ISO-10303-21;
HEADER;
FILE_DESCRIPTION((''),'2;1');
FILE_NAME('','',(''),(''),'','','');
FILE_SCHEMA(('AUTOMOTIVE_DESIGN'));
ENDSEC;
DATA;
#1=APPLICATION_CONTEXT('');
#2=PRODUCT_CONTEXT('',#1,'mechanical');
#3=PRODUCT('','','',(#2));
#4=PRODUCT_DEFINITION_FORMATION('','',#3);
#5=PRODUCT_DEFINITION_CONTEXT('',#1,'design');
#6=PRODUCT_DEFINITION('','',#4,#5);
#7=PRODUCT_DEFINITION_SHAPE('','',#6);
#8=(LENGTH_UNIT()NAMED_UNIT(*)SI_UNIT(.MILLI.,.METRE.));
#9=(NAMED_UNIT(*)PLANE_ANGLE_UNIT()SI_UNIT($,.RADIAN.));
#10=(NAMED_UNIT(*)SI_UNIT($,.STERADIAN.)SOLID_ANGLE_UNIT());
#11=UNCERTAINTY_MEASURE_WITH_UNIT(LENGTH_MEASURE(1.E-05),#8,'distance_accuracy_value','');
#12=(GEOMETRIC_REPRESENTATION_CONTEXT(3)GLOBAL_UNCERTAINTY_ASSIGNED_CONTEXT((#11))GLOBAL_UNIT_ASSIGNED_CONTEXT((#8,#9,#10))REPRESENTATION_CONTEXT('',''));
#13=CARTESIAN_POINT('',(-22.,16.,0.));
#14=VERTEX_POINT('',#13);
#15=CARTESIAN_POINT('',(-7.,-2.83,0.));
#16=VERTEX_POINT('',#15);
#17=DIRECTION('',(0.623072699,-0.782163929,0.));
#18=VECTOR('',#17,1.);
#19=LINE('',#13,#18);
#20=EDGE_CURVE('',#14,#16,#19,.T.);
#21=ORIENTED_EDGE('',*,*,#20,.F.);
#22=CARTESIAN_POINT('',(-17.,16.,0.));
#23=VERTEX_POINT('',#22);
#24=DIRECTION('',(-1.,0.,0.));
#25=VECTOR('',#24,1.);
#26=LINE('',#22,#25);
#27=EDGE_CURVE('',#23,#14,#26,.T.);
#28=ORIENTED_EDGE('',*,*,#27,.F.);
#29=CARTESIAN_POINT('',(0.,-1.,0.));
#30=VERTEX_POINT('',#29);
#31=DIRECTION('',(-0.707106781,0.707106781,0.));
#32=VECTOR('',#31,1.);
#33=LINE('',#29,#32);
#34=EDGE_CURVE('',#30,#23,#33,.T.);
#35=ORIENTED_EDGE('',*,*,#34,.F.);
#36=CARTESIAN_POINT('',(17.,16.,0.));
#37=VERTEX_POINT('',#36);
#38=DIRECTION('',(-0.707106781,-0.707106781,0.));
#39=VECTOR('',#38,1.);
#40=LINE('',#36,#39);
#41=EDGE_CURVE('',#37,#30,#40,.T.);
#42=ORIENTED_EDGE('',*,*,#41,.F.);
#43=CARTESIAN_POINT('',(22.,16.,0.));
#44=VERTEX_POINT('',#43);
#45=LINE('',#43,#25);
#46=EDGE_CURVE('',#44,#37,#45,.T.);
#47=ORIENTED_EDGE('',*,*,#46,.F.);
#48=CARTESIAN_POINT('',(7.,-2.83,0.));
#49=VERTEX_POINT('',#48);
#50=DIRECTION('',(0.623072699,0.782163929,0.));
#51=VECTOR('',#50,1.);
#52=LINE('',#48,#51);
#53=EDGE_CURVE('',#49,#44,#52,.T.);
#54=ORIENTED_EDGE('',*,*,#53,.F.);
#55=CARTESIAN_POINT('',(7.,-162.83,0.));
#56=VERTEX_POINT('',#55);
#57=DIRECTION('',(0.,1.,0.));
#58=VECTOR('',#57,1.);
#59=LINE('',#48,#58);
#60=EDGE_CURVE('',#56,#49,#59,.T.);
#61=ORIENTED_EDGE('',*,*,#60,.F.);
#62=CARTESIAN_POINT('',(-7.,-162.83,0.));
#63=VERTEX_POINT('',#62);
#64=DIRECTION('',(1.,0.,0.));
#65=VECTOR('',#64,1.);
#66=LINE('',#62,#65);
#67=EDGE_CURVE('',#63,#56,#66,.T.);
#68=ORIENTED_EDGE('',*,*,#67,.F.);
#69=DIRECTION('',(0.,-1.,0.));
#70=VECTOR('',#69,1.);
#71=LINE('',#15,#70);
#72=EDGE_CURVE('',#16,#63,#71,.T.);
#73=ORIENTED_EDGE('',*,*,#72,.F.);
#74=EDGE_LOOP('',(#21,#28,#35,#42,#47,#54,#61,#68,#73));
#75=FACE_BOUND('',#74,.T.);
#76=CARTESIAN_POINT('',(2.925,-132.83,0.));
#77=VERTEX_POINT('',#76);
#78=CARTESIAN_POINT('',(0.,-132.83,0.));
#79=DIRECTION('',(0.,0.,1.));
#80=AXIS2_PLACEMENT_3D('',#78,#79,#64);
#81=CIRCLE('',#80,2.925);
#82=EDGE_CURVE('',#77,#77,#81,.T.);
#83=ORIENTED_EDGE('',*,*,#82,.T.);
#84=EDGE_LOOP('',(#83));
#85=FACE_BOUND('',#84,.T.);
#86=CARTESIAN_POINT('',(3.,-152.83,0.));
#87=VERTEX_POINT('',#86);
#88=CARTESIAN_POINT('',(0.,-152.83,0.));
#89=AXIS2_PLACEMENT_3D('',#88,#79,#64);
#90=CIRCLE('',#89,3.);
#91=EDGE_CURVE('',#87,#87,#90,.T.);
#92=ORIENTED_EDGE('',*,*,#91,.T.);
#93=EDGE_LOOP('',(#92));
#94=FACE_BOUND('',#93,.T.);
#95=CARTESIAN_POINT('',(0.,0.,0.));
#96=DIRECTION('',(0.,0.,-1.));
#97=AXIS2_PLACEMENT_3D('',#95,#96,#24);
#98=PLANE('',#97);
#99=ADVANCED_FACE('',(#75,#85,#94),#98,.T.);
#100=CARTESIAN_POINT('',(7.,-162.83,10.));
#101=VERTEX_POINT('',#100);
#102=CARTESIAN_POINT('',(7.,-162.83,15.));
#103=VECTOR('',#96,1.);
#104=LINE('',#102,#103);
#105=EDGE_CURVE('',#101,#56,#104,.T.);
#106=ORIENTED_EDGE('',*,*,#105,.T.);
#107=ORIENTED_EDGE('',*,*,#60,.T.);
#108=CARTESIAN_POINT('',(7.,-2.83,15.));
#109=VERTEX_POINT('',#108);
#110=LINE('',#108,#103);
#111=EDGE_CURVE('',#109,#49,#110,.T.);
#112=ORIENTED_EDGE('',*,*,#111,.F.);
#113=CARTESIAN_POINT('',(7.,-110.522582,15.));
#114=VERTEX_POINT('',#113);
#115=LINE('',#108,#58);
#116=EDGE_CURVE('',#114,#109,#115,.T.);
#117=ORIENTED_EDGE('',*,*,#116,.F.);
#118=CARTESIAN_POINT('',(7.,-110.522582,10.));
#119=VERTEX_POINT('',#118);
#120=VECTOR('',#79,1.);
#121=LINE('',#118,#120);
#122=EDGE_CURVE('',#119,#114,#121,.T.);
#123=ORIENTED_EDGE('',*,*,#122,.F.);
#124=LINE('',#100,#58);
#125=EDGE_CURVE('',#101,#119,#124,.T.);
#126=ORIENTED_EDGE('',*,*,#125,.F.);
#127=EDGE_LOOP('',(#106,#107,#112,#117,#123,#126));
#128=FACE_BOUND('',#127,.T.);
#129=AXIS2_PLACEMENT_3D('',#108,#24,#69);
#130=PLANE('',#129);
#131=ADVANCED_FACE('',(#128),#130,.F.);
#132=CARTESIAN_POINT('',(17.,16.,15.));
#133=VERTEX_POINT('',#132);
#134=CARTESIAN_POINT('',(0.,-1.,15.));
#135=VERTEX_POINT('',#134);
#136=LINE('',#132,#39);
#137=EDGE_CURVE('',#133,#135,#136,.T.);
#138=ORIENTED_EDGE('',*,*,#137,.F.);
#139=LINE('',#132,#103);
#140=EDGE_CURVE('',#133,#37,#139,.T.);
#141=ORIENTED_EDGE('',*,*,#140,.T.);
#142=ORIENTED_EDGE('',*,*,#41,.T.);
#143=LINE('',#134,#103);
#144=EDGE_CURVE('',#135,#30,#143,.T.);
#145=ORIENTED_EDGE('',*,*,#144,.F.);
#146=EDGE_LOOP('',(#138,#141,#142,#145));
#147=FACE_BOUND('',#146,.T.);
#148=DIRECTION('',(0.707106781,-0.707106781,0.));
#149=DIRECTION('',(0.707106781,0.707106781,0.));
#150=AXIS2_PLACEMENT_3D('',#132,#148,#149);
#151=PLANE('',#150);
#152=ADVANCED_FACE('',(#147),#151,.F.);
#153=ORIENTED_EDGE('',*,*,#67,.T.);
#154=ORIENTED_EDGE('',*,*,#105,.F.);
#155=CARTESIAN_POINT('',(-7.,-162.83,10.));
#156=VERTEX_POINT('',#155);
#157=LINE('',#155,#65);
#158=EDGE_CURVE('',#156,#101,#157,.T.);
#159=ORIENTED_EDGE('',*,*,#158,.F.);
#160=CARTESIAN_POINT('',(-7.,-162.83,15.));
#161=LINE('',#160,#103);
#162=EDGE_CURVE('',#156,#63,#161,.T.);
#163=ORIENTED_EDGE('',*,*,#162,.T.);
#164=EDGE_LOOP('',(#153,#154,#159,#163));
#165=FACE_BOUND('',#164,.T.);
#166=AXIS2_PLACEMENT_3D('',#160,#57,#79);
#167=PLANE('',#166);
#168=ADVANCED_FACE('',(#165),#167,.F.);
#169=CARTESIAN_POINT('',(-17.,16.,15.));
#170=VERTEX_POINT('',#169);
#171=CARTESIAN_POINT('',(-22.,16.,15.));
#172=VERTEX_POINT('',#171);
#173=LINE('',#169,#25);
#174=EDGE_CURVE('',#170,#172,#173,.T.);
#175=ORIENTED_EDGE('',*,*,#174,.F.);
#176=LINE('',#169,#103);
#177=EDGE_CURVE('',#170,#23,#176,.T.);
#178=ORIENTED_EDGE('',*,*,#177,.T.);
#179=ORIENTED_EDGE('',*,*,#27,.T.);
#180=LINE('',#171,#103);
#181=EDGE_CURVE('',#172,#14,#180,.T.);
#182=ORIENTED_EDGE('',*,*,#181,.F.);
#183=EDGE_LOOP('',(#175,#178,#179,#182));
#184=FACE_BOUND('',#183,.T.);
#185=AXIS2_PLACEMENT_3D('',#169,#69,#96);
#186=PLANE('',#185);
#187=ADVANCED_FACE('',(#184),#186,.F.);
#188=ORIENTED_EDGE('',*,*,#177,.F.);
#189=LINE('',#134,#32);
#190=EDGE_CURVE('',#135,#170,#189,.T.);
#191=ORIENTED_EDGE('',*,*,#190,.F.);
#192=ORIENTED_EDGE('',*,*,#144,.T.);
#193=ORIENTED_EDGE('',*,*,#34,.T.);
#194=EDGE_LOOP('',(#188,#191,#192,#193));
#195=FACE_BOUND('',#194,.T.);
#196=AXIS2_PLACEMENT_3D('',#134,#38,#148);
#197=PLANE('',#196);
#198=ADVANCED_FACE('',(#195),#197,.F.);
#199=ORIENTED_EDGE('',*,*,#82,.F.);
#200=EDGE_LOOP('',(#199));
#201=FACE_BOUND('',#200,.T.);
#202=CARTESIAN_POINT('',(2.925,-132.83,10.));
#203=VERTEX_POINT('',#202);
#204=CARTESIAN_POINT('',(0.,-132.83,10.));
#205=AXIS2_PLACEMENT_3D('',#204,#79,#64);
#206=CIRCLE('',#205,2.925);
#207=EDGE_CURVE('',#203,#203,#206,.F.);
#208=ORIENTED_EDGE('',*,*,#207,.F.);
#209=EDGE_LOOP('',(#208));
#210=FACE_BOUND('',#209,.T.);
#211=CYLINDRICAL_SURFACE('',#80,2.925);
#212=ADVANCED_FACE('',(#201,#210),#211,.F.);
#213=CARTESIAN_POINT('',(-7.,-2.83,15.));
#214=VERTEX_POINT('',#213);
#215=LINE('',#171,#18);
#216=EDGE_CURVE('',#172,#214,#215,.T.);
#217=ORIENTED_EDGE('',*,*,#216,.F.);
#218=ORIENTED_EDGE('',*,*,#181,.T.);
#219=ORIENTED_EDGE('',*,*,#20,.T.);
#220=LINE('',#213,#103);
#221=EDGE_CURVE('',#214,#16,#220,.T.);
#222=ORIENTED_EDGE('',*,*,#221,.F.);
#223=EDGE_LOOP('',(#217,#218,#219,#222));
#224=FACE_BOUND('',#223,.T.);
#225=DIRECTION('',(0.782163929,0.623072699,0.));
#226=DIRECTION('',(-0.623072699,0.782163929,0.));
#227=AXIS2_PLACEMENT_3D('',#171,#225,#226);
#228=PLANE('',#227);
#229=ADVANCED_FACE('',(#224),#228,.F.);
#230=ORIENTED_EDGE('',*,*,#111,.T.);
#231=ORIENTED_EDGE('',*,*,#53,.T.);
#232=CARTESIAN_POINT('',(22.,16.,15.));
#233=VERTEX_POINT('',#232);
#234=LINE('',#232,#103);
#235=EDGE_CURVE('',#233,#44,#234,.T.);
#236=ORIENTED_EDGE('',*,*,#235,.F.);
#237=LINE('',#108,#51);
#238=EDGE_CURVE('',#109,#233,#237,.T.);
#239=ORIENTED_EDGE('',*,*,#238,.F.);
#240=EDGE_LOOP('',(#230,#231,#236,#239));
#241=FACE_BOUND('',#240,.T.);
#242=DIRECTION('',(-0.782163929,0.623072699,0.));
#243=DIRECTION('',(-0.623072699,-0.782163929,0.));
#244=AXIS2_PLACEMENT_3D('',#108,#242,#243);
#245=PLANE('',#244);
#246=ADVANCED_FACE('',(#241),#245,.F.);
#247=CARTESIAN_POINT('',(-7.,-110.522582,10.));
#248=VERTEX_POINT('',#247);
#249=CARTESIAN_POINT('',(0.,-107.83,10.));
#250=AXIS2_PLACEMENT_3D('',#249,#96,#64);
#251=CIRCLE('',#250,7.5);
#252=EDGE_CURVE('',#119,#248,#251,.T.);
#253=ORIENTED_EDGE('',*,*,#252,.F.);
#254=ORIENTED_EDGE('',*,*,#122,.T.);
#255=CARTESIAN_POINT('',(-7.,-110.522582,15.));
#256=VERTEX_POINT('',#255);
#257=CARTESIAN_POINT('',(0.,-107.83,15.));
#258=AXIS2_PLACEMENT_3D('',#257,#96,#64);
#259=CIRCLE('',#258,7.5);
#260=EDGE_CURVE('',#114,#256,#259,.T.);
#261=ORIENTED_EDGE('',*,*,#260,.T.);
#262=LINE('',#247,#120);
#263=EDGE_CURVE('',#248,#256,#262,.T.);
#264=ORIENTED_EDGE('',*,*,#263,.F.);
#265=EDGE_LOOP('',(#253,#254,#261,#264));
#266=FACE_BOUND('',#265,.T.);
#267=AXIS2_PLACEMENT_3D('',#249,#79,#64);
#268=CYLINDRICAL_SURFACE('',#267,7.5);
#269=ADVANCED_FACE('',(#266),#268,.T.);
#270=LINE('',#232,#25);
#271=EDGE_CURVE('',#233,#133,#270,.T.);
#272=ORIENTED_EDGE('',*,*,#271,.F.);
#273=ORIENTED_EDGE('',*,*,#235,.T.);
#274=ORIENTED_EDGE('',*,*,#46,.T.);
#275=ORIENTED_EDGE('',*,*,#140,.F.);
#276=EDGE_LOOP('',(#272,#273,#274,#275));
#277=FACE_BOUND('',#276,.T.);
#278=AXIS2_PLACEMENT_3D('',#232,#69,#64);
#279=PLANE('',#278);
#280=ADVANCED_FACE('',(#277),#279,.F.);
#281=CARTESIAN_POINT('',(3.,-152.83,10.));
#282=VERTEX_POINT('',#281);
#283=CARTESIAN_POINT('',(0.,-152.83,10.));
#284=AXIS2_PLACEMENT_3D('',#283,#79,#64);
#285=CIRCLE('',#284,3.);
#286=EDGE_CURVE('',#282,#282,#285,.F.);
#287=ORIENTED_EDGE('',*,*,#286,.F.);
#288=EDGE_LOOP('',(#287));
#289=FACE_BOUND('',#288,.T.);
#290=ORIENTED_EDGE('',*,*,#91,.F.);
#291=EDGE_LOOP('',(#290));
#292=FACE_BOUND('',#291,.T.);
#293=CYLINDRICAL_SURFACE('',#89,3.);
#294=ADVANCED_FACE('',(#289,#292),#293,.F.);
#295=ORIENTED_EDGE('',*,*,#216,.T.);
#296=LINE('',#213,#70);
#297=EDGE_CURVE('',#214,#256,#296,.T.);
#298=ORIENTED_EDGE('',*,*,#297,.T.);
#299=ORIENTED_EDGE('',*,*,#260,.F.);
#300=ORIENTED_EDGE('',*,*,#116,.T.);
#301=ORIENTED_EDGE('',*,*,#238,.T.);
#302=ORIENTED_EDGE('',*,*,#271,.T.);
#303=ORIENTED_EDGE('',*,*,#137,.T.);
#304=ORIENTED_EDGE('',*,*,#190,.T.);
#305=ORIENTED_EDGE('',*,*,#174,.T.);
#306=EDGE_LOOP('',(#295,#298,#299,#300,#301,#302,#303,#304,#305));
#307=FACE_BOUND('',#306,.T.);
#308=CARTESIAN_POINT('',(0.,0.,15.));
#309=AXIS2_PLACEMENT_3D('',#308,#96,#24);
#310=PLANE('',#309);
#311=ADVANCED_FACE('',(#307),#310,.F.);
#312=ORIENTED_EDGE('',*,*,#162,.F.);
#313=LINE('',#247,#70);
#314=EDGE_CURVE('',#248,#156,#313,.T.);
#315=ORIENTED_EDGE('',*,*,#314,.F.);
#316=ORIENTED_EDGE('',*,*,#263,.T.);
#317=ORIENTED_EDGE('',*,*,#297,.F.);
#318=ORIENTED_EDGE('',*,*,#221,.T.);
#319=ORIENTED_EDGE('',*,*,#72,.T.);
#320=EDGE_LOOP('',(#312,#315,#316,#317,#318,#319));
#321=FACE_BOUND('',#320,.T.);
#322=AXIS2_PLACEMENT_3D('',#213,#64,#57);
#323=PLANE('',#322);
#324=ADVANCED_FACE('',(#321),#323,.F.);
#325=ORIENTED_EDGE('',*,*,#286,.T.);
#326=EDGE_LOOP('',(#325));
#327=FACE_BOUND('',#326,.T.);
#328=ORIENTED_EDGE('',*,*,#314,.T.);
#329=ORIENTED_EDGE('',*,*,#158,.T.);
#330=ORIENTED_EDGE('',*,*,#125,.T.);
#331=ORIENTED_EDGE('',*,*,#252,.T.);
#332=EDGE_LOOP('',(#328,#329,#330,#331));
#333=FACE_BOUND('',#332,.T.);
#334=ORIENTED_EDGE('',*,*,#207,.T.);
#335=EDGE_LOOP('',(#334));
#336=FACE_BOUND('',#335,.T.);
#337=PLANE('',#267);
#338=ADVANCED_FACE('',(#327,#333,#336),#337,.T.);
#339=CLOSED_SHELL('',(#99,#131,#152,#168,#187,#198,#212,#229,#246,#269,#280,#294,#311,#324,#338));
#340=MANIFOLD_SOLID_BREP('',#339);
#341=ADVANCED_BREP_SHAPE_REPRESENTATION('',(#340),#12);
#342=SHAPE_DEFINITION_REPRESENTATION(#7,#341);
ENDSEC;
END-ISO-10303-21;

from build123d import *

# Parameters (mm, degrees)
BOSS_EXTRUDE1_DEPTH = 15
SKETCH2_R           = 2.925
SKETCH2_R_2         = 3
CUT_EXTRUDE1_DEPTH  = 16
CUT_EXTRUDE2_DEPTH  = 5


with BuildPart() as part:
    # Sketch1 → Boss-Extrude1 (new body)
    with BuildSketch(Plane.XY):
        Polygon((7, -2.83), (22, 16), (17, 16), (0, -1), (-17, 16), (-22, 16), (-7, -2.83), (-7, -162.83), (7, -162.83), align=None)
    extrude(amount=BOSS_EXTRUDE1_DEPTH)

    # Sketch2 → Cut-Extrude1 (cut, through all)
    with BuildSketch(Plane.XY.offset(15)):
        with Locations((0, -132.83)):
            Circle(SKETCH2_R)
        with Locations((0, -152.83)):
            Circle(SKETCH2_R_2)
    extrude(amount=-CUT_EXTRUDE1_DEPTH, mode=Mode.SUBTRACT)

    # Sketch3 → Cut-Extrude2 (cut)
    with BuildSketch(Plane.XY.offset(15)):
        with BuildLine():
            Line((-7, -110.522582404), (-7, -162.83))
            Line((-7, -162.83), (7, -162.83))
            Line((7, -162.83), (7, -110.522582404))
            ThreePointArc((7, -110.522582404), (0, -115.33), (-7, -110.522582404))
        make_face()
    extrude(amount=-CUT_EXTRUDE2_DEPTH, mode=Mode.SUBTRACT)


solid = part.part
